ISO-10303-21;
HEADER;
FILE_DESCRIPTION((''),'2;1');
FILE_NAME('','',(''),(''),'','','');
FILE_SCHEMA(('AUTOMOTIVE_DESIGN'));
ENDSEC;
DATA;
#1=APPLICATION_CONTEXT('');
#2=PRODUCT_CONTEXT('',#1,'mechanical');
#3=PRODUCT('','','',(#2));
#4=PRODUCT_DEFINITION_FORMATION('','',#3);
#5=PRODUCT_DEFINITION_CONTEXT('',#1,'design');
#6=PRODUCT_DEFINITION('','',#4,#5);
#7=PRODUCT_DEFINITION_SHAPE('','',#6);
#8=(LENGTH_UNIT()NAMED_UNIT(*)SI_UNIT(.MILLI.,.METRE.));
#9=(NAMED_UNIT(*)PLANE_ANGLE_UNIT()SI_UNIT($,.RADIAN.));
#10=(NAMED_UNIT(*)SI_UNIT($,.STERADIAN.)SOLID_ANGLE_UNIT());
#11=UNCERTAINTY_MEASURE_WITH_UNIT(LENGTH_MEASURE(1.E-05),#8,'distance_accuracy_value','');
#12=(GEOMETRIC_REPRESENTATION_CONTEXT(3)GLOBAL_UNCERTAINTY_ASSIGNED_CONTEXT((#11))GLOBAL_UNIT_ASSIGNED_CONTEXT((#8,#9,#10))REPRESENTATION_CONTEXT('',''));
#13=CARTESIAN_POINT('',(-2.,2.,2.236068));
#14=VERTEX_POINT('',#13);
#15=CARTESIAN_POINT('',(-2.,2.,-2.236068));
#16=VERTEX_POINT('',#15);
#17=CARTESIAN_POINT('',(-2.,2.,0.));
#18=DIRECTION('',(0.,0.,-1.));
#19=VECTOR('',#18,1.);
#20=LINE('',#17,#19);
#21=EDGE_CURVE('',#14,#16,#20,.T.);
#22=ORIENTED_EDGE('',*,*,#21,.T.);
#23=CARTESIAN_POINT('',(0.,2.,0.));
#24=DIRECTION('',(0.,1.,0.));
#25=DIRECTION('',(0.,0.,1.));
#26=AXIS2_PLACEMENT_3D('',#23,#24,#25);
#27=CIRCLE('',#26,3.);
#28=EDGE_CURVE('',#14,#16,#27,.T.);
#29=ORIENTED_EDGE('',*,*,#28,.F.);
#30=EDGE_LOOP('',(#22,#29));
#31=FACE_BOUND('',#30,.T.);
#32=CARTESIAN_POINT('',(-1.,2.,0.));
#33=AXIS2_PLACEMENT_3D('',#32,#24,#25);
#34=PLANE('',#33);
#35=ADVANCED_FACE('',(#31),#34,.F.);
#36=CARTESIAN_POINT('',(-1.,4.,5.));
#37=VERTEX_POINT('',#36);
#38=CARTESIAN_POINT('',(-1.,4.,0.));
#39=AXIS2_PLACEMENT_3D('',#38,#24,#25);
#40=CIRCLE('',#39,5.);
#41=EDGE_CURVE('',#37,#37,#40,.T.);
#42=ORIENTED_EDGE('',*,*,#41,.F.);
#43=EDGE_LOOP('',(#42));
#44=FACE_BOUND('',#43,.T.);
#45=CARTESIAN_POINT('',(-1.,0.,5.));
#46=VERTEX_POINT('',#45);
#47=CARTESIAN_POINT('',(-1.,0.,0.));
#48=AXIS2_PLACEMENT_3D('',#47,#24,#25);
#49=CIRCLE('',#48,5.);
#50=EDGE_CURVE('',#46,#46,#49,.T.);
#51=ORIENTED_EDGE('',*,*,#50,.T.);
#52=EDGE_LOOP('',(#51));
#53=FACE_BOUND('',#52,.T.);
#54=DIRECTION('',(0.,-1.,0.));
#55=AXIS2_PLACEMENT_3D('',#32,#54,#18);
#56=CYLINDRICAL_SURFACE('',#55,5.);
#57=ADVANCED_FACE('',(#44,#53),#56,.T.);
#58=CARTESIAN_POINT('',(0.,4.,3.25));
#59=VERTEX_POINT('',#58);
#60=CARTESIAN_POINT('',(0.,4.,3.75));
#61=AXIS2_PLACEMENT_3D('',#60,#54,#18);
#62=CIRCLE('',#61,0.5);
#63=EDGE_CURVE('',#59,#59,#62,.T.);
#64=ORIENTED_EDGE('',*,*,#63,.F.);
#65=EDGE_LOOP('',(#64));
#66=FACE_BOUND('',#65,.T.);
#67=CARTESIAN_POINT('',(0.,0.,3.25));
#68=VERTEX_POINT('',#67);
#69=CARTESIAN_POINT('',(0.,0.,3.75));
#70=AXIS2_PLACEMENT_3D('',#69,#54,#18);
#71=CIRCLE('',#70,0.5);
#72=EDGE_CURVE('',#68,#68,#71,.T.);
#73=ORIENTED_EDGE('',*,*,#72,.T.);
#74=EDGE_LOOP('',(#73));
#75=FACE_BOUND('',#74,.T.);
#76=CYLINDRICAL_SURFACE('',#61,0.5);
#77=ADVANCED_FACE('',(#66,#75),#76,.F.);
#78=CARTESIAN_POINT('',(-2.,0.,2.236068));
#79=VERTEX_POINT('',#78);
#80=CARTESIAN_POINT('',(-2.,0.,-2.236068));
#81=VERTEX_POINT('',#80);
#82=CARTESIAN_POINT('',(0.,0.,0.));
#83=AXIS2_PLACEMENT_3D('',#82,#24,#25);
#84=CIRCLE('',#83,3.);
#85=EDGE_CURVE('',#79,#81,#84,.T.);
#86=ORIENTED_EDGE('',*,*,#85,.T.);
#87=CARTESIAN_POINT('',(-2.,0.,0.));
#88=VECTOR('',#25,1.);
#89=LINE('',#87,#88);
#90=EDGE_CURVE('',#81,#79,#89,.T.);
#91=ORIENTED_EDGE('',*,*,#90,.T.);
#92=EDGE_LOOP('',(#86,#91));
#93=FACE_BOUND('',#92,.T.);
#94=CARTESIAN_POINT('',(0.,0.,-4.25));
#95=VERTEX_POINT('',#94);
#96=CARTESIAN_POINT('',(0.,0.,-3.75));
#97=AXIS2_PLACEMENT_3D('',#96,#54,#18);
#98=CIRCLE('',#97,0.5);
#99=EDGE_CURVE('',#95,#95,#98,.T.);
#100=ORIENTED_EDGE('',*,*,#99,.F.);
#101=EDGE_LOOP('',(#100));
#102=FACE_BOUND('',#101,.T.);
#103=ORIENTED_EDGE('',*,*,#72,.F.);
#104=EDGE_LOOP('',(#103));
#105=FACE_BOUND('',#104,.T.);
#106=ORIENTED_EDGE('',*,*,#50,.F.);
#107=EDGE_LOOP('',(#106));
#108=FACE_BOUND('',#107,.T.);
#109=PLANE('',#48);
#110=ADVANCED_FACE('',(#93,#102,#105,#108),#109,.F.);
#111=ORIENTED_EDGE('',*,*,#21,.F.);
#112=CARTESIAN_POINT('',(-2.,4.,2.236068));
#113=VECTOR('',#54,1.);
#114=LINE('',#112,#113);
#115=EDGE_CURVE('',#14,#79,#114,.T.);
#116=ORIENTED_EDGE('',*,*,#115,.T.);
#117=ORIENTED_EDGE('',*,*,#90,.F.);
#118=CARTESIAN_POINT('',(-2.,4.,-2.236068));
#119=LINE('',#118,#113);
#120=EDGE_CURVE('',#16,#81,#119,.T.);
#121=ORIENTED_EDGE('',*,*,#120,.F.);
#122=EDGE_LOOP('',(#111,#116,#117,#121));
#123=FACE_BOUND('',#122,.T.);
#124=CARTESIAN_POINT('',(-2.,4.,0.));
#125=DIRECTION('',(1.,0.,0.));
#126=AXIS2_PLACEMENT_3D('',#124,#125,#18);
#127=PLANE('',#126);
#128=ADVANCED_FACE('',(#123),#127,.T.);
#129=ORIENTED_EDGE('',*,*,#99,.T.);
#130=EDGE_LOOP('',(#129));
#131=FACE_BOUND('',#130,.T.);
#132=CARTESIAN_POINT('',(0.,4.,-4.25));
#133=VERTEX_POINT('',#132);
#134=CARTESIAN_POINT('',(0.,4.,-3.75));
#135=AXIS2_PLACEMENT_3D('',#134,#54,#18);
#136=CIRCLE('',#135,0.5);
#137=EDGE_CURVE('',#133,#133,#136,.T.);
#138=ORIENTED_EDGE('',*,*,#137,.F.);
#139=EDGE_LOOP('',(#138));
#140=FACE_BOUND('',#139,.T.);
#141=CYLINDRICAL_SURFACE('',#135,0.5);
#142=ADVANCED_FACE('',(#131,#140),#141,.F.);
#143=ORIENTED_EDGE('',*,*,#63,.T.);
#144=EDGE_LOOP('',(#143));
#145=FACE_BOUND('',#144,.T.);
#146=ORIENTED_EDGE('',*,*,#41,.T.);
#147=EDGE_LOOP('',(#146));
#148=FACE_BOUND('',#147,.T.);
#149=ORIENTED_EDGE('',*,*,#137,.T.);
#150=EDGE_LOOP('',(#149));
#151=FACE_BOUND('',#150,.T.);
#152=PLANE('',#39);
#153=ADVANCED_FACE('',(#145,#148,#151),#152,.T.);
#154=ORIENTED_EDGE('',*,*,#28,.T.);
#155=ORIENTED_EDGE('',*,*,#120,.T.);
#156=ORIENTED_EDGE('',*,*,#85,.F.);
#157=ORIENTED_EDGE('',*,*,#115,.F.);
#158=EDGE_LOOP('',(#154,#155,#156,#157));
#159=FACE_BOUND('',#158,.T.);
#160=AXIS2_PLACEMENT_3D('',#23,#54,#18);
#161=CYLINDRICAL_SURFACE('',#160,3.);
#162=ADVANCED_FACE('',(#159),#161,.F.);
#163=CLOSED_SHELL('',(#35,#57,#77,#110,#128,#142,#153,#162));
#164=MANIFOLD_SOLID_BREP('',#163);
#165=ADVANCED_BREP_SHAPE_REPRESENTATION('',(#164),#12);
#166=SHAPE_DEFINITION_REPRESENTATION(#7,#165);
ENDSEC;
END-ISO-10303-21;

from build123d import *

# Parameters (mm, degrees)
SKETCH1_R           = 5
SKETCH1_R_2         = 3
BOSS_EXTRUDE1_DEPTH = 2
SKETCH2_R           = 5
BOSS_EXTRUDE2_DEPTH = 2
SKETCH3_R           = 0.5
CUT_EXTRUDE1_DEPTH  = 5
BOSS_EXTRUDE3_DEPTH = 4


with BuildPart() as part:
    # Sketch1 → Boss-Extrude1 (new body)
    with BuildSketch(Plane(origin=(0, 0, 0), x_dir=(1, 0, 0), z_dir=(0, 1, 0))):
        with Locations((-1, 0)):
            Circle(SKETCH1_R)
        Circle(SKETCH1_R_2, mode=Mode.SUBTRACT)
    extrude(amount=BOSS_EXTRUDE1_DEPTH)

    # Sketch2 → Boss-Extrude2 (add)
    with BuildSketch(Plane(origin=(0, 2, 0), x_dir=(1, 0, 0), z_dir=(0, 1, 0))):
        with Locations((-1, 0)):
            Circle(SKETCH2_R)
    extrude(amount=BOSS_EXTRUDE2_DEPTH)

    # Sketch3 → Cut-Extrude1 (cut, through all)
    with BuildSketch(Plane.XZ):
        with Locations((0, 3.75)):
            Circle(SKETCH3_R)
        with Locations((0, -3.75)):
            Circle(SKETCH3_R)
    extrude(amount=-CUT_EXTRUDE1_DEPTH, mode=Mode.SUBTRACT)

    # Sketch4 → Boss-Extrude3 (add)
    with BuildSketch(Plane.XZ):
        with BuildLine():
            ThreePointArc((-2, 2.236067977), (-3, 0), (-2, -2.236067977))
            Line((-2, -2.236067977), (-2, 2.236067977))
        make_face()
    extrude(amount=-BOSS_EXTRUDE3_DEPTH)


solid = part.part
